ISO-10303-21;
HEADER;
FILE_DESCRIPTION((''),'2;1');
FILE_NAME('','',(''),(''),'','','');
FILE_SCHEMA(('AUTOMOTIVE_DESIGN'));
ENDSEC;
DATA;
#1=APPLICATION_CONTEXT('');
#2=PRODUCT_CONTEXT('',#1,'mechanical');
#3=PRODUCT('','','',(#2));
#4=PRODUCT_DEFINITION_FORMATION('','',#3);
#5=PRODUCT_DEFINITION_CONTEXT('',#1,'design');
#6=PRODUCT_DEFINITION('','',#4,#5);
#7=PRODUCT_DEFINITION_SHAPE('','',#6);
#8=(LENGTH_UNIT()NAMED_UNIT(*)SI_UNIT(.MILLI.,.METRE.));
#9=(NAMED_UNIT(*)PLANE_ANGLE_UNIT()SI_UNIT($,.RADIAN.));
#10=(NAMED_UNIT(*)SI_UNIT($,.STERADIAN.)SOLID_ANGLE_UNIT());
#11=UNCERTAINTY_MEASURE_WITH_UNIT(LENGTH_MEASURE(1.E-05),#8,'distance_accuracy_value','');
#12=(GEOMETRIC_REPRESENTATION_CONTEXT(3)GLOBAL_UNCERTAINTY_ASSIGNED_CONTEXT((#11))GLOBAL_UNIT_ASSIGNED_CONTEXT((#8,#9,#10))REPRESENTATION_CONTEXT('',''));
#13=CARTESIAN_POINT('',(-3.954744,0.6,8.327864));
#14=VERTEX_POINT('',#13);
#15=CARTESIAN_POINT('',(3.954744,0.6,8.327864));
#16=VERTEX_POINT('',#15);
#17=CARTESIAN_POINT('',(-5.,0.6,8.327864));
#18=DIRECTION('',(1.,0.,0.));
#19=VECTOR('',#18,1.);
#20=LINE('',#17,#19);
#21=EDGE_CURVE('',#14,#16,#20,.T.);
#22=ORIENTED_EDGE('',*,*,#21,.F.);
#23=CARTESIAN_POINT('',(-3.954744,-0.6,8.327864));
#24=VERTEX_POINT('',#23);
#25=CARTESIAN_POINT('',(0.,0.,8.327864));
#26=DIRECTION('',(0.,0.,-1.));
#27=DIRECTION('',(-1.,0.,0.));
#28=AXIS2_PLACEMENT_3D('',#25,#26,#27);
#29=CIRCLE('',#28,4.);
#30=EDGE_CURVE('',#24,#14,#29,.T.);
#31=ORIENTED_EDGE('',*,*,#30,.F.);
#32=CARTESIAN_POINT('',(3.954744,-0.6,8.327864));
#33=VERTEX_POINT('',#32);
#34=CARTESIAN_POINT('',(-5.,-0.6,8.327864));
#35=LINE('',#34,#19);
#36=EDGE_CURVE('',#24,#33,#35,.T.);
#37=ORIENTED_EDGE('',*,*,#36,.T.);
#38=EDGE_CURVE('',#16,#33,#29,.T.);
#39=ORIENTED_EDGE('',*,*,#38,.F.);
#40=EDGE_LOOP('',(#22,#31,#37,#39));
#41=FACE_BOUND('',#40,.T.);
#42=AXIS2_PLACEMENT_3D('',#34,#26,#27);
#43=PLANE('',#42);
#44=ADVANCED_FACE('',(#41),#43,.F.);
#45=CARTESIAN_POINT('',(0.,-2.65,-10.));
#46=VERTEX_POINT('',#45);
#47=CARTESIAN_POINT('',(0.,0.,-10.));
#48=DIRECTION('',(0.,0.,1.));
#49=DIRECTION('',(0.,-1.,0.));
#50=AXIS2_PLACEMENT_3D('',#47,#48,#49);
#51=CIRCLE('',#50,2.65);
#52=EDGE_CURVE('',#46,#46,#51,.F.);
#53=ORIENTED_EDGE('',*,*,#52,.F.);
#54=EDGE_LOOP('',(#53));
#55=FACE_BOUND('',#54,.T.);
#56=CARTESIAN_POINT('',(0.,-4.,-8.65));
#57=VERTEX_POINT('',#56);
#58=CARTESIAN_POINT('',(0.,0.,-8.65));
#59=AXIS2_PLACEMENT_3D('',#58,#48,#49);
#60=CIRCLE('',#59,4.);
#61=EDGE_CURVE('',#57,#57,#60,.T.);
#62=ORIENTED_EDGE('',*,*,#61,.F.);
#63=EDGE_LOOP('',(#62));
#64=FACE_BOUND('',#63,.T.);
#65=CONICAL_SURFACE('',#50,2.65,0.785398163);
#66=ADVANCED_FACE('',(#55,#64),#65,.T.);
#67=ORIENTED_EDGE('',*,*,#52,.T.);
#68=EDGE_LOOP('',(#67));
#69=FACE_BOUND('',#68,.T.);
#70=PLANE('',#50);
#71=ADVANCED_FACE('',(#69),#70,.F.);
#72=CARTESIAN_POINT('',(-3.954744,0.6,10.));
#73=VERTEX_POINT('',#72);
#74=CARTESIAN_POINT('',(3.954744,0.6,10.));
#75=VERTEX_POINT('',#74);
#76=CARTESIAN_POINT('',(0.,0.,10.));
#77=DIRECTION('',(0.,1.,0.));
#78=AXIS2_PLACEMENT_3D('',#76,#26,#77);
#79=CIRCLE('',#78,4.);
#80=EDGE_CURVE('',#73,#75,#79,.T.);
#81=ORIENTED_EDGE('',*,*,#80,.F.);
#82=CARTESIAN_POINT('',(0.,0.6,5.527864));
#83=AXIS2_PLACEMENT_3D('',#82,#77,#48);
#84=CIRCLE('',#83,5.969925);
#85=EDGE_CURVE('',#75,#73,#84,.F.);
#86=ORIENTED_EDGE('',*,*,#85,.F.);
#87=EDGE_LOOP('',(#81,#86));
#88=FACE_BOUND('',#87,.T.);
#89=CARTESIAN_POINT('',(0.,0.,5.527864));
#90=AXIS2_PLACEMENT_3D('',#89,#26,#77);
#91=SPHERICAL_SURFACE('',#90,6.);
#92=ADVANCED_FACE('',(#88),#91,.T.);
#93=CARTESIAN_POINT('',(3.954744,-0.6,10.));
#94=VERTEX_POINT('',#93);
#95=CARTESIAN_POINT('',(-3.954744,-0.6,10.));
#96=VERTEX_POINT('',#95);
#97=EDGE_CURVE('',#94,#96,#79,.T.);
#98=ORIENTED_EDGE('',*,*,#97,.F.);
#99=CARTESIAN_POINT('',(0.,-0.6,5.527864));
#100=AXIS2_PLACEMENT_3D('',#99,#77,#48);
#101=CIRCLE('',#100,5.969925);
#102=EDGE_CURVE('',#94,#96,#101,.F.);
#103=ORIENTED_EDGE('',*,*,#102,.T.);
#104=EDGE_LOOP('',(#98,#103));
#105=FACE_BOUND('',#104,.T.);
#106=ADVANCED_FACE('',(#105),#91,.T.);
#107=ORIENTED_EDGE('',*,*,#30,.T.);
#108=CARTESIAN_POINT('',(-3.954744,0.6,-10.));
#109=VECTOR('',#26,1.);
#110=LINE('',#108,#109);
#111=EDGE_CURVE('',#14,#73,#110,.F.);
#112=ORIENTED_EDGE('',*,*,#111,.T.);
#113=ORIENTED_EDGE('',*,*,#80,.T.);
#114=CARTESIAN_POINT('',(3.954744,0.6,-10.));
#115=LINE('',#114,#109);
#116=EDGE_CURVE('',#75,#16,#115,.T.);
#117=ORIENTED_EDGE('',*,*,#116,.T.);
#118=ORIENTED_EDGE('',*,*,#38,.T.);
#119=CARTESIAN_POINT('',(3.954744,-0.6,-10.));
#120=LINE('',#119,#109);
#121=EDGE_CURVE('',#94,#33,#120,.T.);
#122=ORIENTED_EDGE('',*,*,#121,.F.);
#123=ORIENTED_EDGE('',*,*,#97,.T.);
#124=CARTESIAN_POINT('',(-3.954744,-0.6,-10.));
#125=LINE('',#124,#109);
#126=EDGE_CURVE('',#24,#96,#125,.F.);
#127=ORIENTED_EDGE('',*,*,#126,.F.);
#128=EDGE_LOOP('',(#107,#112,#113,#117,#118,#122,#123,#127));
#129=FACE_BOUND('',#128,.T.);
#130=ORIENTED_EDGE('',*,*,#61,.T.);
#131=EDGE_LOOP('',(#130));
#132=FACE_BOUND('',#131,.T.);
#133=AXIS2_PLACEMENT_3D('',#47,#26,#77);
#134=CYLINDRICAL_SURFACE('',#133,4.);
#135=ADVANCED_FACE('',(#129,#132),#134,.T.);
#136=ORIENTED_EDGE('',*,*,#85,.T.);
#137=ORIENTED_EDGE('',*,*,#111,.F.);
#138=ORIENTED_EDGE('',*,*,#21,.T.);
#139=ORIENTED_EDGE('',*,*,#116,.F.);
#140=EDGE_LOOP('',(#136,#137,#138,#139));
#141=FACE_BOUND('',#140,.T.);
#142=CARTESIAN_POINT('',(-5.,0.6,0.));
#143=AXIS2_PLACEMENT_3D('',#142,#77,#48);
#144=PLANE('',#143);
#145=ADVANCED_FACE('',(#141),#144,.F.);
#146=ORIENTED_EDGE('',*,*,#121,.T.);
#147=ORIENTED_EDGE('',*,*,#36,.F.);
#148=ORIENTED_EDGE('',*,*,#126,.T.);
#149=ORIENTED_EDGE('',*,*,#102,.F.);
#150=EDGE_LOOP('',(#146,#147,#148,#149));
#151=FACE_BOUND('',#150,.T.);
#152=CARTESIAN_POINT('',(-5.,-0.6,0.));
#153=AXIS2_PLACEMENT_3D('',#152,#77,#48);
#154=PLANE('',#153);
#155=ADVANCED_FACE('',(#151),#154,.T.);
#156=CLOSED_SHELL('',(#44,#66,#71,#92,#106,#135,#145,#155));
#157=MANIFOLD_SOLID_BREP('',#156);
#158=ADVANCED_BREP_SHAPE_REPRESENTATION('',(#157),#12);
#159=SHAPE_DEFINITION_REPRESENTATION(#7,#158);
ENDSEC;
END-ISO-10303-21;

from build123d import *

# Parameters (mm, degrees)
SKETCH_1_W          = 20
SKETCH_1_H          = 4
CHAMFER_1_SIZE      = 1.35
SKETCH_2_W          = 3.34427191
SKETCH_2_H          = 1.2
CUT_EXTRUDE_1_DEPTH = 5


with BuildPart() as part:
    # Эскиз1 → Повернуть1 (revolve)
    with BuildSketch(Plane(origin=(0, 0, 0), x_dir=(0, 0, -1), z_dir=(1, 0, 0))):
        with BuildLine():
            Line((-10, 0), (-10, 4))
            ThreePointArc((-10, 4), (-11.132898199, 2.140932539), (-11.527864045, 0))
            Line((-11.527864045, 0), (-10, 0))
        make_face()
        with Locations((0, 2)):
            Rectangle(SKETCH_1_W, SKETCH_1_H)
    revolve(axis=Axis((0, 0, -10), (0, 0, 1)))

    # Фаска1
    chamfer_1_edges = [part.edges().sort_by_distance(p)[0] for p in [
        (0, -4, -10),
    ]]
    chamfer(chamfer_1_edges, length=CHAMFER_1_SIZE)

    # Эскиз2 → Вырез-Вытянуть1 (cut, symmetric)
    with BuildSketch(Plane(origin=(0, 0, 0), x_dir=(0, 0, -1), z_dir=(1, 0, 0))):
        with Locations((-10, 0)):
            Rectangle(SKETCH_2_W, SKETCH_2_H)
    extrude(amount=CUT_EXTRUDE_1_DEPTH, both=True, mode=Mode.SUBTRACT)


solid = part.part
